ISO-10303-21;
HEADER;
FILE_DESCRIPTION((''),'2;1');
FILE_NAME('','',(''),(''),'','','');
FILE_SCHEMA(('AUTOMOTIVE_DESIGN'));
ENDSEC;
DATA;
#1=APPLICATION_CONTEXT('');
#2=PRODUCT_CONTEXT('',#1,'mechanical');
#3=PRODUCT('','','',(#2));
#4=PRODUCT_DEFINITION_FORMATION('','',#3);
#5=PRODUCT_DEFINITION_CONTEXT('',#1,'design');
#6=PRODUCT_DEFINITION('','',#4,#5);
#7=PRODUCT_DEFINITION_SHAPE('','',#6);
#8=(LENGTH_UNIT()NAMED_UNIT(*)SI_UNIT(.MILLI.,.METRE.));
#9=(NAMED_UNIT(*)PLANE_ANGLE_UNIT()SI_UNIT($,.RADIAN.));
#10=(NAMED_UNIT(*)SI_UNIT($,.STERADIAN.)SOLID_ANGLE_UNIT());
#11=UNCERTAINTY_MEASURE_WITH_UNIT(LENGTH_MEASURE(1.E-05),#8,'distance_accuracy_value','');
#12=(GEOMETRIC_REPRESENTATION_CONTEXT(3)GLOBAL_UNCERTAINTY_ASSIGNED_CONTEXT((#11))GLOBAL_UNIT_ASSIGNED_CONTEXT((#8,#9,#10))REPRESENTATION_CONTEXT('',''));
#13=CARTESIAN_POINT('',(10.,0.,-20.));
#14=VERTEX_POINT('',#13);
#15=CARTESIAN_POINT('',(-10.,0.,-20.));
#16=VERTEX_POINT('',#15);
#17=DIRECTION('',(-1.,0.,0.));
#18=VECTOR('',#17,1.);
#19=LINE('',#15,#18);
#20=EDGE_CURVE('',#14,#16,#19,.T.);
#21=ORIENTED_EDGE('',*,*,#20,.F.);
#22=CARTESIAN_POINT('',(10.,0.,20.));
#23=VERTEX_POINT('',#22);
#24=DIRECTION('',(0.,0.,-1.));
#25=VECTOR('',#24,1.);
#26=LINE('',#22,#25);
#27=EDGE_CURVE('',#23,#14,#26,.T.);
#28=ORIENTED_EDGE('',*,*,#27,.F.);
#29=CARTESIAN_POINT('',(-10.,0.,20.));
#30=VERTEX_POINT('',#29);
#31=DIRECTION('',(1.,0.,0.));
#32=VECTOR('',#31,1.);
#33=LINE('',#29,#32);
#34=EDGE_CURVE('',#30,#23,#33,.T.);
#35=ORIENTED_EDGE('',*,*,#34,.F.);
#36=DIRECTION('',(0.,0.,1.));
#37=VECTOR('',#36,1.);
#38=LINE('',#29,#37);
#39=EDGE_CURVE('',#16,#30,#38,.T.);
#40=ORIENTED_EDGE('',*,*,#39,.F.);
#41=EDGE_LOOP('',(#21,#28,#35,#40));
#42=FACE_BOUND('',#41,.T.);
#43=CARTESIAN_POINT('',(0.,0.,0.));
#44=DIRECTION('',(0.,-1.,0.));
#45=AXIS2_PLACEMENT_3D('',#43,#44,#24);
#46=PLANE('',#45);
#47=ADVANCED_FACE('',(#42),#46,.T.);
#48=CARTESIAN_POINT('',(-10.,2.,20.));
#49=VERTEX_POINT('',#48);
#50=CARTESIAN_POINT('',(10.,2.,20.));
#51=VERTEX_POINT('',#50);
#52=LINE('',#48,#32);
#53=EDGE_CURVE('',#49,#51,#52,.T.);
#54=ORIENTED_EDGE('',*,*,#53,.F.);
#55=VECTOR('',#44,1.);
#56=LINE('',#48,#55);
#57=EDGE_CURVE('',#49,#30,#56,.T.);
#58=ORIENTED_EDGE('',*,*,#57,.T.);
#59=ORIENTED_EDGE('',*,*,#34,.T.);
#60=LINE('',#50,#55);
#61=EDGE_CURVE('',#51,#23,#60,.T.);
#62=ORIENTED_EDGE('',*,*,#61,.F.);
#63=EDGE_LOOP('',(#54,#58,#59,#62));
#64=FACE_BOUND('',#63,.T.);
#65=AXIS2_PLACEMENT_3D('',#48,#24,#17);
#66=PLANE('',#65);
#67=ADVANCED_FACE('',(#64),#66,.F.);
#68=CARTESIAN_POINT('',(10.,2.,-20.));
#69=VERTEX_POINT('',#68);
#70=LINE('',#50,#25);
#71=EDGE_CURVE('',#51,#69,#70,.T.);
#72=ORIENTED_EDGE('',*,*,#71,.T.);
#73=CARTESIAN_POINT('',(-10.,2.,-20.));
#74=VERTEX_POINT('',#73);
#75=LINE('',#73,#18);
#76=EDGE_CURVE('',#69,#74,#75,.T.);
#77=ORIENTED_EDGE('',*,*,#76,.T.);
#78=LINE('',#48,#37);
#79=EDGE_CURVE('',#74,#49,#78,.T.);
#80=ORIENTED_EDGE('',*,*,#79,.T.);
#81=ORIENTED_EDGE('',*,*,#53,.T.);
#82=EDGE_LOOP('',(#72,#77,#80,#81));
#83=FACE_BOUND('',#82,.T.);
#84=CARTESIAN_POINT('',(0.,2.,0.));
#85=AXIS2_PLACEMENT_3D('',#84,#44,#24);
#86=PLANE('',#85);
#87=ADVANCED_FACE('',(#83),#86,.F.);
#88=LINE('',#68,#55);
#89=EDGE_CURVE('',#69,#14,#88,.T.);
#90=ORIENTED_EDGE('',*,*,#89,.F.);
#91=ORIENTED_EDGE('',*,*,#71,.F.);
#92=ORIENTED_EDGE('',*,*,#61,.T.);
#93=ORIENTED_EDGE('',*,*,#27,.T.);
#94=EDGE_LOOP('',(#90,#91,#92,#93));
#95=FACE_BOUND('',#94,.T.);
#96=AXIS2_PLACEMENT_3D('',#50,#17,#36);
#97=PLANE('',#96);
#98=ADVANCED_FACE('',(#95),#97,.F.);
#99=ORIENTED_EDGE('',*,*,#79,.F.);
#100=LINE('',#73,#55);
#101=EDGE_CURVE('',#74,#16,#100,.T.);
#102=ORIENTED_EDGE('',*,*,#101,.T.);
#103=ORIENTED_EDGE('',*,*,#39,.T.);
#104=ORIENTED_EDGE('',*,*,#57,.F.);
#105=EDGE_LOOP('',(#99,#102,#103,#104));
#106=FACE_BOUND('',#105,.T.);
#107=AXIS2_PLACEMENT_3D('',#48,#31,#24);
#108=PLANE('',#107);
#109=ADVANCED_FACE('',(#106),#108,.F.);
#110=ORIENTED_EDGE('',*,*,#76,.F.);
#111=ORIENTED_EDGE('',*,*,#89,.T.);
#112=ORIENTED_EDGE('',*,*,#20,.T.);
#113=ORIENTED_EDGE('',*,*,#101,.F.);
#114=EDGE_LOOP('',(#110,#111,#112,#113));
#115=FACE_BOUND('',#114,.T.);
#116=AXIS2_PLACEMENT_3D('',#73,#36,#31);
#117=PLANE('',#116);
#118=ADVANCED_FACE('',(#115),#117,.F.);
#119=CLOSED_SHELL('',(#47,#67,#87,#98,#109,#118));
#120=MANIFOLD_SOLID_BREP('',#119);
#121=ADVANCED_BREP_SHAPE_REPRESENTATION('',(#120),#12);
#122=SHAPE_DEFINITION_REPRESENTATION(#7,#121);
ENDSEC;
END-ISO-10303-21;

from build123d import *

# Parameters (mm, degrees)
SKETCH1_W           = 20
SKETCH1_H           = 40
BOSS_EXTRUDE1_DEPTH = 2


with BuildPart() as part:
    # Sketch1 → Boss-Extrude1 (new body)
    with BuildSketch(Plane(origin=(0, 0, 0), x_dir=(1, 0, 0), z_dir=(0, 1, 0))):
        Rectangle(SKETCH1_W, SKETCH1_H)
    extrude(amount=BOSS_EXTRUDE1_DEPTH)


solid = part.part
